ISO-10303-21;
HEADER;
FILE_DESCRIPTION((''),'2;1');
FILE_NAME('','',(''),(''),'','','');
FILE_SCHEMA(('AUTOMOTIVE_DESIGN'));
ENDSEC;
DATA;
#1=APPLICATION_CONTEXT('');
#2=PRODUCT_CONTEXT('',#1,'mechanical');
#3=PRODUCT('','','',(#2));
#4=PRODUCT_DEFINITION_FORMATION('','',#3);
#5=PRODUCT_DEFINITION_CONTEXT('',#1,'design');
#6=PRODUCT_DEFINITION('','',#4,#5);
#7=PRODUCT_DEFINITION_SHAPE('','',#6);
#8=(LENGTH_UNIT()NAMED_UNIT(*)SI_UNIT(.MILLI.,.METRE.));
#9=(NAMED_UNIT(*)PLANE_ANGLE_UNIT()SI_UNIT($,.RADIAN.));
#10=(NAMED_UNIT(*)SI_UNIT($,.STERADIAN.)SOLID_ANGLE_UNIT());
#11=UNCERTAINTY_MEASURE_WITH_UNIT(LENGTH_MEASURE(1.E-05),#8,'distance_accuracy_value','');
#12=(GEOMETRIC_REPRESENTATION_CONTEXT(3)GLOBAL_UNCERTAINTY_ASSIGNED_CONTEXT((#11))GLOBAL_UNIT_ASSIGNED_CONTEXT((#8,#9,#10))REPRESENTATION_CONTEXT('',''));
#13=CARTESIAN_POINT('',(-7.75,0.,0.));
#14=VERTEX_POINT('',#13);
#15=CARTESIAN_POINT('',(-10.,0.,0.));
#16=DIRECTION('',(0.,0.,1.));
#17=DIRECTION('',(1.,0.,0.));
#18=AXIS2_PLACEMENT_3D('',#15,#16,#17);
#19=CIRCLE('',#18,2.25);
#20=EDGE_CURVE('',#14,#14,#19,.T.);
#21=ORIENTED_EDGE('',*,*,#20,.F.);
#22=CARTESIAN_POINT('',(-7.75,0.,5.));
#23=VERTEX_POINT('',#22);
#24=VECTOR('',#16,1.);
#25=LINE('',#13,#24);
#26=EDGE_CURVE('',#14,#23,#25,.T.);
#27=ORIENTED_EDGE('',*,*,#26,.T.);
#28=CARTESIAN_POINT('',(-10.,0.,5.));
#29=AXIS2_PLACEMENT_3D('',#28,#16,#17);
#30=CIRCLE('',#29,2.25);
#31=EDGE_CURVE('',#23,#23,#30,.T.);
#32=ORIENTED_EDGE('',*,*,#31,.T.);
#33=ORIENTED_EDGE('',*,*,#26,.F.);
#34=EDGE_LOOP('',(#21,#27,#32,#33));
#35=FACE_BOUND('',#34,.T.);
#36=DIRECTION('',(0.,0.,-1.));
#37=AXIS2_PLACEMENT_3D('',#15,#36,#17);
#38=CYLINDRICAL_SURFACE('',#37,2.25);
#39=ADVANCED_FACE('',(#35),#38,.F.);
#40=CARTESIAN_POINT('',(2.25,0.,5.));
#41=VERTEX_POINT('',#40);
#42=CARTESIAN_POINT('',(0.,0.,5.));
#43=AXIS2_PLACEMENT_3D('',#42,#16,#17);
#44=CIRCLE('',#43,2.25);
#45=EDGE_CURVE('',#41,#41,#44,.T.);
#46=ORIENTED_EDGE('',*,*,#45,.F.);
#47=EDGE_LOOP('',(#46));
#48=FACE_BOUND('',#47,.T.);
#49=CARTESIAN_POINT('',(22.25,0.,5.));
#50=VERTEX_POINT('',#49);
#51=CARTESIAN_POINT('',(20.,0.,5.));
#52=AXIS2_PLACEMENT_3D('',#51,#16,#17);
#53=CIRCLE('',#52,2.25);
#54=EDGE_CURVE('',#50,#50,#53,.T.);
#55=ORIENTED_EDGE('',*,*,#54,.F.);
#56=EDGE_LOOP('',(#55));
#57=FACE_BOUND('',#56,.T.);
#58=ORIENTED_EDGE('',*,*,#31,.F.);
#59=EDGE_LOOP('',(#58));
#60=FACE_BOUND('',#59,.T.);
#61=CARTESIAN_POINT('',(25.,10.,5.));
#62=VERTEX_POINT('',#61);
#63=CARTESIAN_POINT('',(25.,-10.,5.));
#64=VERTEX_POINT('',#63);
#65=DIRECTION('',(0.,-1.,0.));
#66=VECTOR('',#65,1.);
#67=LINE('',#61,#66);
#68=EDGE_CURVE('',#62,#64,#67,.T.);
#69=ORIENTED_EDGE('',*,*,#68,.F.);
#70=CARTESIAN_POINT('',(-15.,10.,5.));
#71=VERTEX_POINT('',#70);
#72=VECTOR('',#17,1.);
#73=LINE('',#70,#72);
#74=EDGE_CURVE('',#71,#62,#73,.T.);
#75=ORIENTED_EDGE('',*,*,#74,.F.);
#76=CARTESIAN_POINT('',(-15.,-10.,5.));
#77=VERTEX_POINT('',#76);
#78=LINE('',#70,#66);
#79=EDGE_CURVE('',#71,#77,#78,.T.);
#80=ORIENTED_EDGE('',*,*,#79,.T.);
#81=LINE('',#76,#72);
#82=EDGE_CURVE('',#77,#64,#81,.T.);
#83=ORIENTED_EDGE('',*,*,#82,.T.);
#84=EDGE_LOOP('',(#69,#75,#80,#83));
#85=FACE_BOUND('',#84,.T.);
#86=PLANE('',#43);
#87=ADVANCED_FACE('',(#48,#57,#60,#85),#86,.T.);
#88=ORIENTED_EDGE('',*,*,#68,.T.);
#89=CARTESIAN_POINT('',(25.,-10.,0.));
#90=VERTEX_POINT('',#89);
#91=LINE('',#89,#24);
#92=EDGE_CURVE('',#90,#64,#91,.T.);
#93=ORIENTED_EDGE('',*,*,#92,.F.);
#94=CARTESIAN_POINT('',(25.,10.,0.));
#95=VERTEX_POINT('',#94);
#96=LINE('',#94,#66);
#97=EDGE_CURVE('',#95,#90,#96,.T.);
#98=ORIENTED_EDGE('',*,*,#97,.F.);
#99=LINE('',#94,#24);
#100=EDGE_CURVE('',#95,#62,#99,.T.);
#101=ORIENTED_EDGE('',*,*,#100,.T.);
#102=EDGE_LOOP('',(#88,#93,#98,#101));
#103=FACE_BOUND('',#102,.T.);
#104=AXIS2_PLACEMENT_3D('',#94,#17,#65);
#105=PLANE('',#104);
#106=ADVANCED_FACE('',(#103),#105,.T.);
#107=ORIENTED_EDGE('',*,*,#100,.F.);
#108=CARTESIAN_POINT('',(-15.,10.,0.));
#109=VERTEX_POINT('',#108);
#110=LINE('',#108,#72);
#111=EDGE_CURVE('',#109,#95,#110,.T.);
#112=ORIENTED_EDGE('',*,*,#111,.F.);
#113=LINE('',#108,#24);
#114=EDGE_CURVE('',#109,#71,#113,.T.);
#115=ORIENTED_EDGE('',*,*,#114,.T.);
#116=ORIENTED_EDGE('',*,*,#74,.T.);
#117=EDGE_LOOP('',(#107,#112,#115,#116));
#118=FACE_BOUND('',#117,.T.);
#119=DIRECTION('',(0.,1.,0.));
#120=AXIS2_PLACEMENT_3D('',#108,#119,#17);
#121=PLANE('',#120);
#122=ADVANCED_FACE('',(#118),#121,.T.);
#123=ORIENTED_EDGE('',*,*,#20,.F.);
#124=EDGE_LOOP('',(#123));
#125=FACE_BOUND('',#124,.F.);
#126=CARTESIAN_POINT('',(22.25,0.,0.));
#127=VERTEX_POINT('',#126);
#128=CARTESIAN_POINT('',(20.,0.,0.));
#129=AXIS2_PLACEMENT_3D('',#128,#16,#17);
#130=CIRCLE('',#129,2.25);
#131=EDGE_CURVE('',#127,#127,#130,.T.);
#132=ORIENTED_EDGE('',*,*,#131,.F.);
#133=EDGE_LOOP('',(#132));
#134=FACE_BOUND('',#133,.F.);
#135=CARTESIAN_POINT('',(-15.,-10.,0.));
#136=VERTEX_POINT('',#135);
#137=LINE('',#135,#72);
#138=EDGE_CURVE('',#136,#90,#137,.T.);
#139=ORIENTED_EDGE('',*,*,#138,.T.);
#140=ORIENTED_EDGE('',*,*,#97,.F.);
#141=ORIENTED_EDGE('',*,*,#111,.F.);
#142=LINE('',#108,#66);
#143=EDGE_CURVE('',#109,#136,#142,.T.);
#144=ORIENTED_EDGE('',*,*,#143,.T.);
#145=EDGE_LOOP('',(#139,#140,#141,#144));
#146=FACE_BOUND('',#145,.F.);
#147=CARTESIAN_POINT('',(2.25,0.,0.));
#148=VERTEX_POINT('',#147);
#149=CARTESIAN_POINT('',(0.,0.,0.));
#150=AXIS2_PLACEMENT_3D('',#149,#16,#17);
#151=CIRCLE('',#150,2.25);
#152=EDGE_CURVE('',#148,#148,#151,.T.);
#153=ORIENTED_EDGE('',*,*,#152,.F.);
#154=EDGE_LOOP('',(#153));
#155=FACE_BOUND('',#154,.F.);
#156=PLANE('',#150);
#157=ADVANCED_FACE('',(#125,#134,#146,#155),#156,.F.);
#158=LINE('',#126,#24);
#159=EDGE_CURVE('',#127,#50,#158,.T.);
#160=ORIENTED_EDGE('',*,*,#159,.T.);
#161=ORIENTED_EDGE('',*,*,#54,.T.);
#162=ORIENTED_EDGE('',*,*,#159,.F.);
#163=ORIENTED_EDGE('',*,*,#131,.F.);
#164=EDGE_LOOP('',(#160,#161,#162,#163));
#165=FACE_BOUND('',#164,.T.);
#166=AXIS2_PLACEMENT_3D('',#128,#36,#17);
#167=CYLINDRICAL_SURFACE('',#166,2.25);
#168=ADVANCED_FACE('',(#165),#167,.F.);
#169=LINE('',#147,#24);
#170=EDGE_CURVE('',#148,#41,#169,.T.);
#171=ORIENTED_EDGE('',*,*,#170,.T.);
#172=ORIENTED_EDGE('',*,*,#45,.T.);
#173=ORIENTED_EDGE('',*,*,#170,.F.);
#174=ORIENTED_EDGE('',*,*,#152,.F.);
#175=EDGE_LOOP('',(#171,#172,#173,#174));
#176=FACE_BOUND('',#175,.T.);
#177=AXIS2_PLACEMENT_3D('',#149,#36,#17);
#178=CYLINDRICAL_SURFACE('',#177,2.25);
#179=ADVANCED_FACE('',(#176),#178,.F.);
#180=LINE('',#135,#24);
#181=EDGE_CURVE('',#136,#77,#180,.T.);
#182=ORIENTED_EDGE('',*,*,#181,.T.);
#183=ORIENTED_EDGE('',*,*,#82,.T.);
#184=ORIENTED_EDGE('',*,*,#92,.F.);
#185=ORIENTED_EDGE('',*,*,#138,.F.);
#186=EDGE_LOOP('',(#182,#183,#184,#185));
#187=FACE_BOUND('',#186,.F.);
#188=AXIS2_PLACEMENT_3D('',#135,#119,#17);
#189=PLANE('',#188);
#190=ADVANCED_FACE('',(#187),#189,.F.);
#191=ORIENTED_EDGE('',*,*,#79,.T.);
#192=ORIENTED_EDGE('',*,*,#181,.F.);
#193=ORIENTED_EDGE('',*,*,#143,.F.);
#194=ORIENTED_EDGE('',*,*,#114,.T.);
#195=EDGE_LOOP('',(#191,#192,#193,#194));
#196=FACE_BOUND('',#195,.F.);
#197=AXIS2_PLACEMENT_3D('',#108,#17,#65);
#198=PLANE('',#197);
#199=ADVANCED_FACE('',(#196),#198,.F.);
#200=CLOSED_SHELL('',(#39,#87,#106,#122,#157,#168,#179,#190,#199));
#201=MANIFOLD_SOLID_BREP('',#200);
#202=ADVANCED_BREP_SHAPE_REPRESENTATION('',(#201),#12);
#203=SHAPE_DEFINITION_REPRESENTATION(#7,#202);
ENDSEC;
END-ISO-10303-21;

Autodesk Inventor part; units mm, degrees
ref_plane "YZ Plane" through (0, 0, 0) normal (1, 0, 0) x (0, 1, 0)
ref_plane "XZ Plane" through (0, 0, 0) normal (0, 1, 0) x (-1, 0, 0)
ref_plane "XY Plane" through (0, 0, 0) normal (0, 0, 1) x (1, 0, 0)
sketch "Sketch1" plane through (0, 0, 0) normal (0, 0, 1) x (1, 0, 0)
  circle A0 centre (0, 0) radius 2.25
  circle A1 centre (-10, 0) radius 2.25
  line L0 (-10, 0) -> (0, 0) construction
  line L1 (-15, 10) -> (-15, -10)
  line L2 (-15, -10) -> (25, -10)
  line L3 (-10, 0) -> (-15, 0) construction
  line L4 (-15, 10) -> (25, 10)
  circle A2 centre (20, 0) radius 2.25
  line L5 (20, 0) -> (0, 0) construction
  line L6 (20, 0) -> (25, 0) construction
  line L7 (25, 10) -> (25, -10)
  dimension "d0" = 4.5
  dimension "d1" = 10
  dimension "d2" = 5
  dimension "d3" = 20
  dimension "d4" = 4.5
  dimension "d5" = 20
  dimension "d6" = 5
extrude "Extrusion1" add sketch "Sketch1" along normal blind 5
properties part number "Y Bearing Tensioner"
